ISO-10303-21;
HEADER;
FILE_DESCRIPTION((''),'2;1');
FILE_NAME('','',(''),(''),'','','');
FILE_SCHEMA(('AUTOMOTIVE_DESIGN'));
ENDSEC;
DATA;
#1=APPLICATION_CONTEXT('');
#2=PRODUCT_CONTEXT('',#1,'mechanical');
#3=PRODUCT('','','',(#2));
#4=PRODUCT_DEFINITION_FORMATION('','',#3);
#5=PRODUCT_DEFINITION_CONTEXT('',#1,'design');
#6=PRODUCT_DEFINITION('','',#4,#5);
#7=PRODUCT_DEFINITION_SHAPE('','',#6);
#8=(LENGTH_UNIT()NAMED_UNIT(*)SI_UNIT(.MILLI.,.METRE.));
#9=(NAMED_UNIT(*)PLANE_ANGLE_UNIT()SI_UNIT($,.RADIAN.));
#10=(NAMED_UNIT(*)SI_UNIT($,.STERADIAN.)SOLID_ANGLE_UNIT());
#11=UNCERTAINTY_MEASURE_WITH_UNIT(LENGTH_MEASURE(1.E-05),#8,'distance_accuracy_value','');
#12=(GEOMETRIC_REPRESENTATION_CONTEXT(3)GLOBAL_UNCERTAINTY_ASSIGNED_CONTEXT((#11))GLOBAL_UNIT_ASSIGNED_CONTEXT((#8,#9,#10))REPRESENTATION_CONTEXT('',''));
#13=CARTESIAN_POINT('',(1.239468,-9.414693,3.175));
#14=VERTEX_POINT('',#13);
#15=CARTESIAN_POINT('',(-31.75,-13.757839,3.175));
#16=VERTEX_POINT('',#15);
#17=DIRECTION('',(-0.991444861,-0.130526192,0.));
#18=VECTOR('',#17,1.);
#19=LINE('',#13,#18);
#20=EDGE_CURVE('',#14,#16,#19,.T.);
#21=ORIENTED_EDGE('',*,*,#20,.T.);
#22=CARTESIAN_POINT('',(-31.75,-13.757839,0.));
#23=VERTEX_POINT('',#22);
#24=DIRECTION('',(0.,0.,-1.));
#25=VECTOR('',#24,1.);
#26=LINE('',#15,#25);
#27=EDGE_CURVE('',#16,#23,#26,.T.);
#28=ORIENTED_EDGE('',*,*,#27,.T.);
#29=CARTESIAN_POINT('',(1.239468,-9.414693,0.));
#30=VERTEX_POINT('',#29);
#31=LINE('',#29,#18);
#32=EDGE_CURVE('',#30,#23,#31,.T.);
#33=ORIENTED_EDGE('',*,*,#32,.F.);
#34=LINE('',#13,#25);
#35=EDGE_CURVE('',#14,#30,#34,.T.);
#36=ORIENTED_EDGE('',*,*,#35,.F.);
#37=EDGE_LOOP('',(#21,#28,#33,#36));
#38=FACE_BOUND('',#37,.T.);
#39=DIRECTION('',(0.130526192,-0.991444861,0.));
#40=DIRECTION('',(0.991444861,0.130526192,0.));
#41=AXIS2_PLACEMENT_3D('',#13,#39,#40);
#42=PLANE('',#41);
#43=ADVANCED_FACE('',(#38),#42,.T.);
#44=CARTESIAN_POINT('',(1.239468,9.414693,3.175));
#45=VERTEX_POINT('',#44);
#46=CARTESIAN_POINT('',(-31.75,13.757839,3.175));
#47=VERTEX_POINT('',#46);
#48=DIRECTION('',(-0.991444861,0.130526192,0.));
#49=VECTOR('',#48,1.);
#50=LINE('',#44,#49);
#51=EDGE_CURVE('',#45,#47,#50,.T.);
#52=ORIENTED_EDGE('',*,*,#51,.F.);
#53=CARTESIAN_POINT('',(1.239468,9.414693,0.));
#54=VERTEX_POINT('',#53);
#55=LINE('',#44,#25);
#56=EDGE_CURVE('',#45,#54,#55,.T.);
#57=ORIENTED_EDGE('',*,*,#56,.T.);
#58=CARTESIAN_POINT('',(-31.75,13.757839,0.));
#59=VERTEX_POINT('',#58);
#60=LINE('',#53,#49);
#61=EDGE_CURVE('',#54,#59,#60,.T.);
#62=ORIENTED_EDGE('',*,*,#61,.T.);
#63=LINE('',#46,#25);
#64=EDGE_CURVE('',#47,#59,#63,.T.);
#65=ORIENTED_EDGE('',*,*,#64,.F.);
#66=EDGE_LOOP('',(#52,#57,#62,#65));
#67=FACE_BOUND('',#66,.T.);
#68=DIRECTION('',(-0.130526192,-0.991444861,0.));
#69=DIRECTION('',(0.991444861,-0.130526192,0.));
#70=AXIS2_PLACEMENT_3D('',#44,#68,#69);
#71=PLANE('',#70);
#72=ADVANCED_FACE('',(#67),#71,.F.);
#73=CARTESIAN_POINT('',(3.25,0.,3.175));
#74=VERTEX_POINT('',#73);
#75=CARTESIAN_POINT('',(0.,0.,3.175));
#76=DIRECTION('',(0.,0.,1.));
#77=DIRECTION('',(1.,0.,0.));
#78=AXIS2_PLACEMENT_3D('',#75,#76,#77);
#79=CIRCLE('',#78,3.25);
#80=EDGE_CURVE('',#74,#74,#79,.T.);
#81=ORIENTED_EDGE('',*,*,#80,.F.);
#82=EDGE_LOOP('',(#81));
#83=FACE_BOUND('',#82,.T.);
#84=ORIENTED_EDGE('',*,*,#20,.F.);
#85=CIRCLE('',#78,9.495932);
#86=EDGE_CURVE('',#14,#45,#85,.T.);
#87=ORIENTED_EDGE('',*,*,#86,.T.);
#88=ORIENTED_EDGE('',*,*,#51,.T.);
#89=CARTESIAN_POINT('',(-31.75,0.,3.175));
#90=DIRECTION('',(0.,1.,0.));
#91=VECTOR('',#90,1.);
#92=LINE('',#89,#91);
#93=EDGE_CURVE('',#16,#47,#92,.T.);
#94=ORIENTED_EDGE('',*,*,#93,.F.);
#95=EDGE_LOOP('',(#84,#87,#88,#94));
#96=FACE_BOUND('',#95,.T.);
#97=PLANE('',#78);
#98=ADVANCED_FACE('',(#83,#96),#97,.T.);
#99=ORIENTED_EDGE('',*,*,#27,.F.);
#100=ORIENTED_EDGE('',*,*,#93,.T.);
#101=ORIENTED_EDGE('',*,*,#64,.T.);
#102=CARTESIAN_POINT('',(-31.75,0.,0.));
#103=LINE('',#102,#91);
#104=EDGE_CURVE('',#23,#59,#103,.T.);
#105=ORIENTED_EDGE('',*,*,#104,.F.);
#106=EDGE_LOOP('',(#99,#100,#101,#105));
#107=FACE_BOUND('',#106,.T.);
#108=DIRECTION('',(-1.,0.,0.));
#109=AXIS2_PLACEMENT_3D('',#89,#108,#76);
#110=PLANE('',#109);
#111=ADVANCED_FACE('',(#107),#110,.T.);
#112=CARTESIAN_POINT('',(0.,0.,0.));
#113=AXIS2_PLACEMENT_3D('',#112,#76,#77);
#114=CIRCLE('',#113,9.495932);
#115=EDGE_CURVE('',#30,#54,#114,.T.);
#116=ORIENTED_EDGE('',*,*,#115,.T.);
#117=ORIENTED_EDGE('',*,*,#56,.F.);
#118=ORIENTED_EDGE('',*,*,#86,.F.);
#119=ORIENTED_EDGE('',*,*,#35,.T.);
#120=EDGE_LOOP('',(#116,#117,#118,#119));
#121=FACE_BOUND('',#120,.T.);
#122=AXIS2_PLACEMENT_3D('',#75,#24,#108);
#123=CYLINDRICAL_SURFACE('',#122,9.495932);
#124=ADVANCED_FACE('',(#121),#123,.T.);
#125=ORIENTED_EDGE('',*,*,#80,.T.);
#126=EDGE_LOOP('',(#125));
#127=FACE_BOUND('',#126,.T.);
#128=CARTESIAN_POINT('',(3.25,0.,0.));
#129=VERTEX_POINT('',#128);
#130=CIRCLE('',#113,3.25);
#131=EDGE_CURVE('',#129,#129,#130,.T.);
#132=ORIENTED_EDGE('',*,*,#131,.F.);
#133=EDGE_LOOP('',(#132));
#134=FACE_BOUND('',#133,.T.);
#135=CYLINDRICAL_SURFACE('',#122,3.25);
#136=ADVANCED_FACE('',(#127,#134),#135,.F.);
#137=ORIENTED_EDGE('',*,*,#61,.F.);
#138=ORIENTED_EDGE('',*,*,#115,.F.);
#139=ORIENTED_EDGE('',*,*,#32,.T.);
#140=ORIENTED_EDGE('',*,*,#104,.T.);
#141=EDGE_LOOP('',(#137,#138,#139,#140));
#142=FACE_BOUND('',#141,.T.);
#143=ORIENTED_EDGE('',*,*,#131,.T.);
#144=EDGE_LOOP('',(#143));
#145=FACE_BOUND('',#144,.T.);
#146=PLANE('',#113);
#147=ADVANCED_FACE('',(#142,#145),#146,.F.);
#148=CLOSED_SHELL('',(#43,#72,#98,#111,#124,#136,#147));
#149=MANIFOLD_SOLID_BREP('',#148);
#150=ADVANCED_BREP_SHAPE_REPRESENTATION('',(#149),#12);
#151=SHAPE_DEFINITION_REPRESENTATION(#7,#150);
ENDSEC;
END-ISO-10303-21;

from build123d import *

# Parameters (mm, degrees)
SKETCH1_R           = 3.25
BOSS_EXTRUDE1_DEPTH = 3.175


with BuildPart() as part:
    # Sketch1 → Boss-Extrude1 (new body)
    with BuildSketch(Plane(origin=(-1053.740804459, 0, 0), x_dir=(1, 0, 0), z_dir=(0, 0, 1))):
        with BuildLine():
            Line((1021.990804459, -13.757839033), (1054.980272331, -9.414693193))
            ThreePointArc((1054.980272331, -9.414693193), (1063.236736668, 0), (1054.980272331, 9.414693193))
            Line((1054.980272331, 9.414693193), (1021.990804459, 13.757839033))
            Line((1021.990804459, 13.757839033), (1021.990804459, -13.757839033))
        make_face()
        with Locations((1053.740804459, 0)):
            Circle(SKETCH1_R, mode=Mode.SUBTRACT)
    extrude(amount=BOSS_EXTRUDE1_DEPTH)


solid = part.part
